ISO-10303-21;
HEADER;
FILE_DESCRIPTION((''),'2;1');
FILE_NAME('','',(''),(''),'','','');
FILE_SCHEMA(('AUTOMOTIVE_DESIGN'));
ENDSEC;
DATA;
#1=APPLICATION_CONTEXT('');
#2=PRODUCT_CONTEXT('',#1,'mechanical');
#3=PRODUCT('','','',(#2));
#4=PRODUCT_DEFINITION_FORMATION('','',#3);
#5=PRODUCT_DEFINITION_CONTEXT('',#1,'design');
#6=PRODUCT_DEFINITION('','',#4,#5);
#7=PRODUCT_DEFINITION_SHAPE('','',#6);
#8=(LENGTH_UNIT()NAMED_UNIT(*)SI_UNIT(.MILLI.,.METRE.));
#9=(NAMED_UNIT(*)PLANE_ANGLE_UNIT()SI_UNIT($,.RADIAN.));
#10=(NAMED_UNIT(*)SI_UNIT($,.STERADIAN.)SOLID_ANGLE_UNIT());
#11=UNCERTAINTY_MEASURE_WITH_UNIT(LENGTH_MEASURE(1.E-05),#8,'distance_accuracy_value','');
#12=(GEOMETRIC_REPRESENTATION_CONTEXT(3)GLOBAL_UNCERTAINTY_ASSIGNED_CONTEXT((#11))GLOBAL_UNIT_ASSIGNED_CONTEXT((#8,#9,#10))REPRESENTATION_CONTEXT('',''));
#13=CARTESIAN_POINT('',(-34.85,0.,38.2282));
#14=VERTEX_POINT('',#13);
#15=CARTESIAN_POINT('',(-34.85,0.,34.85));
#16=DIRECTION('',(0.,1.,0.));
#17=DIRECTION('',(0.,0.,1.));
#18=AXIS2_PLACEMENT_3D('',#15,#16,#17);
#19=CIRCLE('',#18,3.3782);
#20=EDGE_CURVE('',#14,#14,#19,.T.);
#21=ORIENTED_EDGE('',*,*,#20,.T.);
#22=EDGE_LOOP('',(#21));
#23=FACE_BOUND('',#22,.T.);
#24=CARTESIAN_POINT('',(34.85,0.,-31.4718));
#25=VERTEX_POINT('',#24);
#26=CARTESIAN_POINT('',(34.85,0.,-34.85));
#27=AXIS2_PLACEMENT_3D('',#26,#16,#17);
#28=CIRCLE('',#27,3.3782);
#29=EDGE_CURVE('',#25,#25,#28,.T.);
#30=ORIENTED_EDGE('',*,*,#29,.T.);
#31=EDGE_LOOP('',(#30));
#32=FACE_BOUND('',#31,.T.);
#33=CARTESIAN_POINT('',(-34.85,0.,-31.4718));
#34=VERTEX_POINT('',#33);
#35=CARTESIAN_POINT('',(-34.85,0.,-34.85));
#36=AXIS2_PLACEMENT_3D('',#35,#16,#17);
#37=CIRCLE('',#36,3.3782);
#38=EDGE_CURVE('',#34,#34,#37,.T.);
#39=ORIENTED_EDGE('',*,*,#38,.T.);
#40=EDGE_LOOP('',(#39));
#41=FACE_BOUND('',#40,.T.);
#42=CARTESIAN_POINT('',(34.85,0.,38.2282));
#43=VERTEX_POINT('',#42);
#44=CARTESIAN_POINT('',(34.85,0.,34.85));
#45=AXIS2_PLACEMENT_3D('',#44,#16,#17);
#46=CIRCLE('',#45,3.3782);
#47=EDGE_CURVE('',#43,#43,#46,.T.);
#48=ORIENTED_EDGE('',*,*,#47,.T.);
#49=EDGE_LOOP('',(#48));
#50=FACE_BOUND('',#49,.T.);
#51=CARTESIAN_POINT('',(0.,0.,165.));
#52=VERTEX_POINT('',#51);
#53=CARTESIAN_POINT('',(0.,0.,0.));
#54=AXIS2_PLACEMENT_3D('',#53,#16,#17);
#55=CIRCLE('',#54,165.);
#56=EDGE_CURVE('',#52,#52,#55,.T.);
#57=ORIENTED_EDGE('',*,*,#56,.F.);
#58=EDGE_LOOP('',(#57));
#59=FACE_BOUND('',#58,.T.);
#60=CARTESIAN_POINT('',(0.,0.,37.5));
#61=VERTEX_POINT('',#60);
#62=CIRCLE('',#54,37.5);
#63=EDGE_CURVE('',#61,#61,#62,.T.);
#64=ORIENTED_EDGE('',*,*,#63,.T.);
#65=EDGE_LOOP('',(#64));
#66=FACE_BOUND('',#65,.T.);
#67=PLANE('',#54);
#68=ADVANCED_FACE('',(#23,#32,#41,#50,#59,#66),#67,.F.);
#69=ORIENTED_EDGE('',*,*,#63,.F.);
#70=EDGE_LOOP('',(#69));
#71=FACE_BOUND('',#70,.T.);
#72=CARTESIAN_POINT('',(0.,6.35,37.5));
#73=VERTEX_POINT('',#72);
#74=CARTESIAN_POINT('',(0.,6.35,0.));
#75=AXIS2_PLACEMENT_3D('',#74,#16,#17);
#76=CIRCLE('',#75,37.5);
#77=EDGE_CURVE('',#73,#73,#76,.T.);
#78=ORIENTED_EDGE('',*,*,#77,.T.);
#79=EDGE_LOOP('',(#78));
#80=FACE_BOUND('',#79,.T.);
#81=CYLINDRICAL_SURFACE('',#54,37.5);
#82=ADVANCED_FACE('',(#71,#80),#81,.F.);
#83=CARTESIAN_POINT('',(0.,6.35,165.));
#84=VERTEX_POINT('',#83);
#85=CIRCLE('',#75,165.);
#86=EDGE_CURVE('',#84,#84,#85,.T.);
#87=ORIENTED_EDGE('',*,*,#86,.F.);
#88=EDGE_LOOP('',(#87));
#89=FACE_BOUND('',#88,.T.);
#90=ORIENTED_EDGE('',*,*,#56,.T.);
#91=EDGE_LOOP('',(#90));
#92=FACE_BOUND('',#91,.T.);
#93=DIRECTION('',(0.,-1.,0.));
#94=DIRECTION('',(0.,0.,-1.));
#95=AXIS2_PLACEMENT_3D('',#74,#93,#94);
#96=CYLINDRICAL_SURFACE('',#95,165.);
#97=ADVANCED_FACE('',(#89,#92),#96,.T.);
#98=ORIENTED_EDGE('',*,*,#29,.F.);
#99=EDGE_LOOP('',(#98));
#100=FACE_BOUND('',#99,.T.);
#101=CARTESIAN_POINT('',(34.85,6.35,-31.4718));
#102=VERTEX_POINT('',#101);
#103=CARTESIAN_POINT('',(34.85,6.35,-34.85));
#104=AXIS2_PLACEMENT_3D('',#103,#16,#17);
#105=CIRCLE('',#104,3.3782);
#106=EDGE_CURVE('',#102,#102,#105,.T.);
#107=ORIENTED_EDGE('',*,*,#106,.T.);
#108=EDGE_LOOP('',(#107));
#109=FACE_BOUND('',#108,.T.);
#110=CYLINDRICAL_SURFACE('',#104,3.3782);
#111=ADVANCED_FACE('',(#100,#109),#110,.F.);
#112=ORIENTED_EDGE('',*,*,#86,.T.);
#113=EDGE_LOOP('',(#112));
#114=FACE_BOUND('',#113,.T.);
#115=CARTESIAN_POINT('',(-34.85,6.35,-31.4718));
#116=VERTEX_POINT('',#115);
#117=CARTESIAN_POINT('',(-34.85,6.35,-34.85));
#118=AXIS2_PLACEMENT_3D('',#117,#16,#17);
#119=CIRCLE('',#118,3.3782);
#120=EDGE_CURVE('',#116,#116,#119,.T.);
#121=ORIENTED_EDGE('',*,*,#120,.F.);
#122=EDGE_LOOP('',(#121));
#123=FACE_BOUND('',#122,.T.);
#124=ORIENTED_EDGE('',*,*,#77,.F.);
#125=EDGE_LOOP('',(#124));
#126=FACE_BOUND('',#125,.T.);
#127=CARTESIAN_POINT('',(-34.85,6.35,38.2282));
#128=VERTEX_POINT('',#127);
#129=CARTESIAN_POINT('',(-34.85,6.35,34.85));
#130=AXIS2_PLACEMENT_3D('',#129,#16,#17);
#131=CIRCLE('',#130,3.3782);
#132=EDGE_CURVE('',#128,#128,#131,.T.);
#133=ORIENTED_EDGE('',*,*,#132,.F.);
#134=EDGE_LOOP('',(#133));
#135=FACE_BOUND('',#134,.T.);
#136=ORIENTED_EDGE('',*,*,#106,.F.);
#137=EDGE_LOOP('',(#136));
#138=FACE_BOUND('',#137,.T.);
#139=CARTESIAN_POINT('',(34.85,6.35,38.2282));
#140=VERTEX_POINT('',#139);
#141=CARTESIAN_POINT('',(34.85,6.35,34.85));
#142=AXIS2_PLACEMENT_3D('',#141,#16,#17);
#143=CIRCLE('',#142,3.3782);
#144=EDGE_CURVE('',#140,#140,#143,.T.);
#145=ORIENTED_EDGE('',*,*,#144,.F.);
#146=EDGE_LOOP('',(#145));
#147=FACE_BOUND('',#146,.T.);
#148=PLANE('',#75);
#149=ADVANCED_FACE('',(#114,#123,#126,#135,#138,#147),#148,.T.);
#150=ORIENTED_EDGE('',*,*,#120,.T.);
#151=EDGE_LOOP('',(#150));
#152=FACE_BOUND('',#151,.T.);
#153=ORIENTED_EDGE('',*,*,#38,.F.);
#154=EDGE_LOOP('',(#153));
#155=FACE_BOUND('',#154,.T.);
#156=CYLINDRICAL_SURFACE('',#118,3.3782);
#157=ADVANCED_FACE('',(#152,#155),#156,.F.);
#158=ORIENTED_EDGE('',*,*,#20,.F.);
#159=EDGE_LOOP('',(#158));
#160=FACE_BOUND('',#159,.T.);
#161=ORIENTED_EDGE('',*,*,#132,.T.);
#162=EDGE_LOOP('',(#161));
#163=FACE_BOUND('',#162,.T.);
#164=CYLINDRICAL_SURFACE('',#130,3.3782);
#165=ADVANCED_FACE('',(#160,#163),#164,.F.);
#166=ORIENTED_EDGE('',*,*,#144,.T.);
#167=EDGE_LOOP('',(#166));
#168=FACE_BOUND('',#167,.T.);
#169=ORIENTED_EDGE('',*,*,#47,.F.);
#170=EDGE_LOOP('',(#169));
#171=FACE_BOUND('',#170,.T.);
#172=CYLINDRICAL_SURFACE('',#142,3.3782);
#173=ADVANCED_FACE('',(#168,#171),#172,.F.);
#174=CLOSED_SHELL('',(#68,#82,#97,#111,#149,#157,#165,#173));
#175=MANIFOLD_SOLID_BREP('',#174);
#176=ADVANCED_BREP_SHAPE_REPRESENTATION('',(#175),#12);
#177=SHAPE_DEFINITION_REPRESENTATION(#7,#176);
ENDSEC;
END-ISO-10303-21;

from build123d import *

# Parameters (mm, degrees)
SKETCH1_R               = 165
BOSS_EXTRUDE1_DEPTH     = 6.35
F_1_4_CLEARANCE_HOLE2_D = 6.7564
SKETCH6_R               = 37.5
CUT_EXTRUDE1_DEPTH      = 7.35


with BuildPart() as part:
    # Sketch1 → Boss-Extrude1 (new body)
    with BuildSketch(Plane(origin=(0, 0, 0), x_dir=(1, 0, 0), z_dir=(0, 1, 0))):
        Circle(SKETCH1_R)
    extrude(amount=BOSS_EXTRUDE1_DEPTH)

    # 1/4 Clearance Hole2 (through all)
    with Locations(Plane(origin=(0, 6.35, 0), x_dir=(1, 0, 0), z_dir=(0, 1, 0))):
        with Locations((-34.85, 34.85), (34.85, -34.85), (34.85, 34.85), (-34.85, -34.85)):
            Hole(F_1_4_CLEARANCE_HOLE2_D / 2)

    # Sketch6 → Cut-Extrude1 (cut, through all)
    with BuildSketch(Plane(origin=(0, 6.35, 0), x_dir=(1, 0, 0), z_dir=(0, 1, 0))):
        Circle(SKETCH6_R)
    extrude(amount=-CUT_EXTRUDE1_DEPTH, mode=Mode.SUBTRACT)


solid = part.part
